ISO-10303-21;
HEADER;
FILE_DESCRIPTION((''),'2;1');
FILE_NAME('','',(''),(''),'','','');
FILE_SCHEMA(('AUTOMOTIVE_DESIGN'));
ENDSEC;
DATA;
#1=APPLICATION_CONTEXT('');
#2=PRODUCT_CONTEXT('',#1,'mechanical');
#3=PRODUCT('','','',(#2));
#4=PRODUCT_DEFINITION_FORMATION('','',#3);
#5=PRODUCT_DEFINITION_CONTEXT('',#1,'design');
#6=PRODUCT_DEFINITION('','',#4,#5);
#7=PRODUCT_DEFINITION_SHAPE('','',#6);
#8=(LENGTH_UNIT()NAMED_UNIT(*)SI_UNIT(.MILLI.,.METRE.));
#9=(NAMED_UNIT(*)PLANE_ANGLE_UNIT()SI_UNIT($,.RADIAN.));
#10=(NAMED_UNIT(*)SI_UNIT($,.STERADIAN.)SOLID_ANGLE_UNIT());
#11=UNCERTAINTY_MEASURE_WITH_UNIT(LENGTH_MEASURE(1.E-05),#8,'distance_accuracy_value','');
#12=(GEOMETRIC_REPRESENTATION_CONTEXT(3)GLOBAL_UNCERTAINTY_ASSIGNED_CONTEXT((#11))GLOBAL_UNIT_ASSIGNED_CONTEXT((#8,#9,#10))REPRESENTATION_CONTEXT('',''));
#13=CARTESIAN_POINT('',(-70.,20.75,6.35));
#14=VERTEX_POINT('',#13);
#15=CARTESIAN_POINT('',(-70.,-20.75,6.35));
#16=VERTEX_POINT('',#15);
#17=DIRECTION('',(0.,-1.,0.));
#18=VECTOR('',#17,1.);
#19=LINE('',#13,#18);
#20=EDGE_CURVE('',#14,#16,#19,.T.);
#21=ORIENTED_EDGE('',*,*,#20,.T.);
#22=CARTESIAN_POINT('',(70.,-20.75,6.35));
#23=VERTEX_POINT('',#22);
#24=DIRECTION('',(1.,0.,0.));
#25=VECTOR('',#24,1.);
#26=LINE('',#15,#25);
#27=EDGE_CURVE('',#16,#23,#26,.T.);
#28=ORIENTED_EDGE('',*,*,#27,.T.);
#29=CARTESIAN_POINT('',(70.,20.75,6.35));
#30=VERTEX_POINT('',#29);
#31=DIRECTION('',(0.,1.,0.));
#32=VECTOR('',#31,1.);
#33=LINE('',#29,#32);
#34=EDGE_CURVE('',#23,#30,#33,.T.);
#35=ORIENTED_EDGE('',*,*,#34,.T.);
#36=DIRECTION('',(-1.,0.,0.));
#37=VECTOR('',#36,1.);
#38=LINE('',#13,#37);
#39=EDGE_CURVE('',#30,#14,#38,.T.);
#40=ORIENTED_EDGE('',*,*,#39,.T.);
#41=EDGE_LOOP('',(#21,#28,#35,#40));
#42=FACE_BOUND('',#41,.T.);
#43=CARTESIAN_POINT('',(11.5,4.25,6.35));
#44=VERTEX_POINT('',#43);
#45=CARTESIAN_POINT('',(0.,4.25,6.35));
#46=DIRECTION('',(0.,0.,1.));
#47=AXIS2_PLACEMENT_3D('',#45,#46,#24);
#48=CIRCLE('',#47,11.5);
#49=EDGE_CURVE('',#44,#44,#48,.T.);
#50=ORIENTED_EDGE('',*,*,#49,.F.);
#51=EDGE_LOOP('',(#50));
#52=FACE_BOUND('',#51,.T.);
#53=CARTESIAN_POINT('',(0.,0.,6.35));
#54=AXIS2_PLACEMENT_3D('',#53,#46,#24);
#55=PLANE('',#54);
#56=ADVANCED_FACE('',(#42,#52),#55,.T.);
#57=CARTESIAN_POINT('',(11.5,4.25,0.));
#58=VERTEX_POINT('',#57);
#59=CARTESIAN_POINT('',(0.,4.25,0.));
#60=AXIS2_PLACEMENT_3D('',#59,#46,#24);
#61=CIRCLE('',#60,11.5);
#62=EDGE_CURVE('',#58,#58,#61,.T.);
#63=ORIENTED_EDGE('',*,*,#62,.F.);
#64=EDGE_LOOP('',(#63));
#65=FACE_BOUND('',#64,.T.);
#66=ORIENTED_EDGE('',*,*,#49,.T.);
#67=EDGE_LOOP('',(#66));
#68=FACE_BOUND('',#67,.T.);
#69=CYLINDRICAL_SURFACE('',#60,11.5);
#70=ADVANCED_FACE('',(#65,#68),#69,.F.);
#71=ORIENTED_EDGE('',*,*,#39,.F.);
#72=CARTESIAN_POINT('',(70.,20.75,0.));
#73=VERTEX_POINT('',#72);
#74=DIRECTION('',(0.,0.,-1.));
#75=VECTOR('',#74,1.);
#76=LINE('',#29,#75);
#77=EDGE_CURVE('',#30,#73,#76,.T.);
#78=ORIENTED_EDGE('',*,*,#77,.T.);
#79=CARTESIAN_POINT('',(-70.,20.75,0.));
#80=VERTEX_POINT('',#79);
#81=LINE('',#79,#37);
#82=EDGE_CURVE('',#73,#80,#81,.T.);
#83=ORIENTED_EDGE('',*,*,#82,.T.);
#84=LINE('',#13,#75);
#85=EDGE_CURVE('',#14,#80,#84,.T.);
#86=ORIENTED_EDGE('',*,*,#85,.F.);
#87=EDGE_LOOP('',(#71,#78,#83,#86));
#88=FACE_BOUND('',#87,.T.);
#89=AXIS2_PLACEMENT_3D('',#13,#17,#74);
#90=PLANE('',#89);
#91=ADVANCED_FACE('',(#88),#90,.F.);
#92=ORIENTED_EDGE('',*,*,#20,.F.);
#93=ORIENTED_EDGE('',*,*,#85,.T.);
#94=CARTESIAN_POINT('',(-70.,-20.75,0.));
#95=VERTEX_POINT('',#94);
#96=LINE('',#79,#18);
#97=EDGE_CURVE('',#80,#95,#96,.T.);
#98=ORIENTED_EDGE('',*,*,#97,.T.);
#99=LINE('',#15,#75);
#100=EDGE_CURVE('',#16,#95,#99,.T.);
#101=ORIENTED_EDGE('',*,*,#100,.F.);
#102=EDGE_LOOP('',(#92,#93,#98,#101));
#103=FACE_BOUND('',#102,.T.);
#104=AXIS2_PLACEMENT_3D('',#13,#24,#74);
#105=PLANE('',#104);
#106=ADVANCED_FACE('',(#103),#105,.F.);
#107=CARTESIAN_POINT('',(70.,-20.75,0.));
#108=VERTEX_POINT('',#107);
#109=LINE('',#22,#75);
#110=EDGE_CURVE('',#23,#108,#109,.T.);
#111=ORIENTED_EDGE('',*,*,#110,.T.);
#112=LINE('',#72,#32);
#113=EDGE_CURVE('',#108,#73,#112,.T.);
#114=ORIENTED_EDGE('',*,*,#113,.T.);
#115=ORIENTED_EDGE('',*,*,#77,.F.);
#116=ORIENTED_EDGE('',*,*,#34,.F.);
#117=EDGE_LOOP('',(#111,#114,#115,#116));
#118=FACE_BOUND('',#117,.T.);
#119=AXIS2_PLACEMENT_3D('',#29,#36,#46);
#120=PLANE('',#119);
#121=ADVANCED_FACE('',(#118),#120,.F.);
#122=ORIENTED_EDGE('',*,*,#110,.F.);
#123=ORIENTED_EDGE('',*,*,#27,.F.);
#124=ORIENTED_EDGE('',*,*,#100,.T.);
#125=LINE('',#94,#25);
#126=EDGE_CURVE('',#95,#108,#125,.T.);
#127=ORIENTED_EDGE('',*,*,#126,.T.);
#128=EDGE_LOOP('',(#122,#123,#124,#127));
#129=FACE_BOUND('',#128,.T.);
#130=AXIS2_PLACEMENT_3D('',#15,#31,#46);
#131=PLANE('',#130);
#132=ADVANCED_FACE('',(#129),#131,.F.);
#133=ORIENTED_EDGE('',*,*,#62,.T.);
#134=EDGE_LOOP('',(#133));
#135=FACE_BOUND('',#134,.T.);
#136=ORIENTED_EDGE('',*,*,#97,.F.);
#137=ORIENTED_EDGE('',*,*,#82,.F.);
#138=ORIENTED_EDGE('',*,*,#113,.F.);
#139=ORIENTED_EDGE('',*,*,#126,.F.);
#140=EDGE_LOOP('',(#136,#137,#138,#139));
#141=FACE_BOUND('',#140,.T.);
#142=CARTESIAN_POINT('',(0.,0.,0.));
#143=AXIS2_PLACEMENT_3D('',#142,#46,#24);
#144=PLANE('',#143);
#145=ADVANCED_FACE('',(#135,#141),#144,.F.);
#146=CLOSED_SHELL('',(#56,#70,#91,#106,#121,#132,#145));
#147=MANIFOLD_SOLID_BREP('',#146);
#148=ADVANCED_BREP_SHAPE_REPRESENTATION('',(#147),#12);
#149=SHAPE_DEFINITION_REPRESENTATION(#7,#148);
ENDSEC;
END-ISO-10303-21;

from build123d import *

# Parameters (mm, degrees)
SKETCH1_W           = 140
SKETCH1_H           = 41.5
BOSS_EXTRUDE1_DEPTH = 6.35
SKETCH2_R           = 11.5
CUT_EXTRUDE1_DEPTH  = 74.286322053


with BuildPart() as part:
    # Sketch1 → Boss-Extrude1 (new body)
    with BuildSketch(Plane.XY):
        Rectangle(SKETCH1_W, SKETCH1_H)
    extrude(amount=BOSS_EXTRUDE1_DEPTH)

    # Sketch2 → Cut-Extrude1 (cut, through all)
    with BuildSketch(Plane.XY.offset(6.35)):
        with Locations((0, 4.25)):
            Circle(SKETCH2_R)
    extrude(amount=-CUT_EXTRUDE1_DEPTH, mode=Mode.SUBTRACT)


solid = part.part
